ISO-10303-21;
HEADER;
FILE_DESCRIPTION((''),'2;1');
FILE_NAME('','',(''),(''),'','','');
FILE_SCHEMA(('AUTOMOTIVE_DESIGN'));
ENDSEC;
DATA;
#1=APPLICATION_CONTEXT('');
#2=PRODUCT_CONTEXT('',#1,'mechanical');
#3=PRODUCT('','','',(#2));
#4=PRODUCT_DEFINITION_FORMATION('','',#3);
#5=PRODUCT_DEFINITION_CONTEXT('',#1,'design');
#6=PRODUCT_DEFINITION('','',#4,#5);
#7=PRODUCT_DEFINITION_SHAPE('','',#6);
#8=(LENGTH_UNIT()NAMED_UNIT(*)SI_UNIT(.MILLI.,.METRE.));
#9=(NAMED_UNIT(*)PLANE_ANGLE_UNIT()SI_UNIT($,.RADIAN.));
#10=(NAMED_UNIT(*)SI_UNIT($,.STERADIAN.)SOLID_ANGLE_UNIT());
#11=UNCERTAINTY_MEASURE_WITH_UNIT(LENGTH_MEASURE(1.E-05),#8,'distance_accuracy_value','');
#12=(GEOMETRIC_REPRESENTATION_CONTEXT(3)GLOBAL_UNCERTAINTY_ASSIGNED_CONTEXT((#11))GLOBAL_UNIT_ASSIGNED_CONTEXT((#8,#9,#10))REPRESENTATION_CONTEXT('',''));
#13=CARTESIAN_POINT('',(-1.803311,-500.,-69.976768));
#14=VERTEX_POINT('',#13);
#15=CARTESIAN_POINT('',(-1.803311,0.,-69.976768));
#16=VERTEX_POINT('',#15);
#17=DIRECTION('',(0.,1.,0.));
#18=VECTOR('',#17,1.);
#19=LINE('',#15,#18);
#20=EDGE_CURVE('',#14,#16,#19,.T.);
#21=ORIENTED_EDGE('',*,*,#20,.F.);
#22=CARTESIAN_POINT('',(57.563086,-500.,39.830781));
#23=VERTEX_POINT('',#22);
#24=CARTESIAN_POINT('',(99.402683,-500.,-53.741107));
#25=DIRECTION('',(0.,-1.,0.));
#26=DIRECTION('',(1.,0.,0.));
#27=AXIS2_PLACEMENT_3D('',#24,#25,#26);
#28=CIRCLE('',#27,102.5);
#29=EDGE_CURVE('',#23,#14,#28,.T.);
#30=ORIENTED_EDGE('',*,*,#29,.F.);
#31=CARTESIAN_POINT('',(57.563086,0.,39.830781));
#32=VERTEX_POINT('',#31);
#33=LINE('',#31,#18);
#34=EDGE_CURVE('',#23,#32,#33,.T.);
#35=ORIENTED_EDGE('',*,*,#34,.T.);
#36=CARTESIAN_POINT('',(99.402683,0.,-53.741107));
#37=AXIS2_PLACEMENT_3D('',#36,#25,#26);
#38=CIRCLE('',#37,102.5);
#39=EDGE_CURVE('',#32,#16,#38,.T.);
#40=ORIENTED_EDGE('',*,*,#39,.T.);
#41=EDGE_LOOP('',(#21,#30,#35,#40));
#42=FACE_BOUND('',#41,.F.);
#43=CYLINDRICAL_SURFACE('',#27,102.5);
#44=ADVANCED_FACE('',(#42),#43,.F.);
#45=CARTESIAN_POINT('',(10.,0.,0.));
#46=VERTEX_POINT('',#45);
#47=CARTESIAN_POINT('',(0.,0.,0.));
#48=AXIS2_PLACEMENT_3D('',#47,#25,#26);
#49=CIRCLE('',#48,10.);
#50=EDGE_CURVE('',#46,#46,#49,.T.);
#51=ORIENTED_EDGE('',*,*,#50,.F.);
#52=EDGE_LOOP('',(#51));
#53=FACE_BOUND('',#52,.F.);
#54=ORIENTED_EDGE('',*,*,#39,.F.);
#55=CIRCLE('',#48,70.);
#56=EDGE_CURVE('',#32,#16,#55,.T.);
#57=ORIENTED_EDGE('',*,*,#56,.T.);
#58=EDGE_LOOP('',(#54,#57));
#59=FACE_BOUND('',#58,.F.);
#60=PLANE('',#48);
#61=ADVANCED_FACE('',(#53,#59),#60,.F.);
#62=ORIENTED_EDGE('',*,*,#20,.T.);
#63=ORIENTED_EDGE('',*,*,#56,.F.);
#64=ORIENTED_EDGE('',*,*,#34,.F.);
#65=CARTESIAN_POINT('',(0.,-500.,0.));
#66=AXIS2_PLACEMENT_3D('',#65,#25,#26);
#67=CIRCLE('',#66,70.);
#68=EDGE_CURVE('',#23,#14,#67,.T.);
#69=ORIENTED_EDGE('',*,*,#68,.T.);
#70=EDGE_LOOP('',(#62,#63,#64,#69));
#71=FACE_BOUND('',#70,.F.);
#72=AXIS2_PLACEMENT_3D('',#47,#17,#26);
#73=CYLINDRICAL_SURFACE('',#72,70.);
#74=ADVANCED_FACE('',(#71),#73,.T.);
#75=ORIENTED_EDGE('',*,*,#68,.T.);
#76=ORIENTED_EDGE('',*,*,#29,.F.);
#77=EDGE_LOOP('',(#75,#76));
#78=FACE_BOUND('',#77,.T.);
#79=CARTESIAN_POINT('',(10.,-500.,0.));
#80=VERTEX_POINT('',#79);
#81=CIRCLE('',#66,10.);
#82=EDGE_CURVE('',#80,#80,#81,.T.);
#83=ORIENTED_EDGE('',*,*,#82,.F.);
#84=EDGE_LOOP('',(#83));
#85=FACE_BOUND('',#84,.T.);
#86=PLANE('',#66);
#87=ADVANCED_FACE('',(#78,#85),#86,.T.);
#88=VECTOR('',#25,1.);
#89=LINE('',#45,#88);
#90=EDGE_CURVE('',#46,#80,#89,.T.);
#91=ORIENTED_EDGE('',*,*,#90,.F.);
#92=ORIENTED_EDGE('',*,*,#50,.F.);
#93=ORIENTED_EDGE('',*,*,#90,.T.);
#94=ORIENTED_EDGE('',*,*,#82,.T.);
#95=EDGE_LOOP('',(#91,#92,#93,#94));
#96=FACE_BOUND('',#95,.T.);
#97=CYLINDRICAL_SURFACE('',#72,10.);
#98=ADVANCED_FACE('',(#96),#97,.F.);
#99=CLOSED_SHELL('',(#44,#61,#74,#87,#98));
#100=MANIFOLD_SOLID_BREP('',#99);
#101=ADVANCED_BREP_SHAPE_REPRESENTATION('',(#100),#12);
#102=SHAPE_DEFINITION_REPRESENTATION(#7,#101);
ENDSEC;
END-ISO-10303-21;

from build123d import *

# Parameters (mm, degrees)
F0_R     = 70
F0_R_2   = 10
F1_DEPTH = 500
F2_R     = 102.5
F3_DEPTH = 600


with BuildPart() as f1:
    # F0 (on Front) → F1 (new body)
    with BuildSketch(Plane.XZ):
        Circle(F0_R)
        Circle(F0_R_2, mode=Mode.SUBTRACT)
    extrude(amount=F1_DEPTH)

    # F2 (on face) → F3 (cut)
    with BuildSketch(Plane.XZ.offset(500)):
        with Locations((99.402683, -53.741107)):
            Circle(F2_R)
    extrude(amount=-F3_DEPTH, mode=Mode.SUBTRACT)


solid = f1.part
